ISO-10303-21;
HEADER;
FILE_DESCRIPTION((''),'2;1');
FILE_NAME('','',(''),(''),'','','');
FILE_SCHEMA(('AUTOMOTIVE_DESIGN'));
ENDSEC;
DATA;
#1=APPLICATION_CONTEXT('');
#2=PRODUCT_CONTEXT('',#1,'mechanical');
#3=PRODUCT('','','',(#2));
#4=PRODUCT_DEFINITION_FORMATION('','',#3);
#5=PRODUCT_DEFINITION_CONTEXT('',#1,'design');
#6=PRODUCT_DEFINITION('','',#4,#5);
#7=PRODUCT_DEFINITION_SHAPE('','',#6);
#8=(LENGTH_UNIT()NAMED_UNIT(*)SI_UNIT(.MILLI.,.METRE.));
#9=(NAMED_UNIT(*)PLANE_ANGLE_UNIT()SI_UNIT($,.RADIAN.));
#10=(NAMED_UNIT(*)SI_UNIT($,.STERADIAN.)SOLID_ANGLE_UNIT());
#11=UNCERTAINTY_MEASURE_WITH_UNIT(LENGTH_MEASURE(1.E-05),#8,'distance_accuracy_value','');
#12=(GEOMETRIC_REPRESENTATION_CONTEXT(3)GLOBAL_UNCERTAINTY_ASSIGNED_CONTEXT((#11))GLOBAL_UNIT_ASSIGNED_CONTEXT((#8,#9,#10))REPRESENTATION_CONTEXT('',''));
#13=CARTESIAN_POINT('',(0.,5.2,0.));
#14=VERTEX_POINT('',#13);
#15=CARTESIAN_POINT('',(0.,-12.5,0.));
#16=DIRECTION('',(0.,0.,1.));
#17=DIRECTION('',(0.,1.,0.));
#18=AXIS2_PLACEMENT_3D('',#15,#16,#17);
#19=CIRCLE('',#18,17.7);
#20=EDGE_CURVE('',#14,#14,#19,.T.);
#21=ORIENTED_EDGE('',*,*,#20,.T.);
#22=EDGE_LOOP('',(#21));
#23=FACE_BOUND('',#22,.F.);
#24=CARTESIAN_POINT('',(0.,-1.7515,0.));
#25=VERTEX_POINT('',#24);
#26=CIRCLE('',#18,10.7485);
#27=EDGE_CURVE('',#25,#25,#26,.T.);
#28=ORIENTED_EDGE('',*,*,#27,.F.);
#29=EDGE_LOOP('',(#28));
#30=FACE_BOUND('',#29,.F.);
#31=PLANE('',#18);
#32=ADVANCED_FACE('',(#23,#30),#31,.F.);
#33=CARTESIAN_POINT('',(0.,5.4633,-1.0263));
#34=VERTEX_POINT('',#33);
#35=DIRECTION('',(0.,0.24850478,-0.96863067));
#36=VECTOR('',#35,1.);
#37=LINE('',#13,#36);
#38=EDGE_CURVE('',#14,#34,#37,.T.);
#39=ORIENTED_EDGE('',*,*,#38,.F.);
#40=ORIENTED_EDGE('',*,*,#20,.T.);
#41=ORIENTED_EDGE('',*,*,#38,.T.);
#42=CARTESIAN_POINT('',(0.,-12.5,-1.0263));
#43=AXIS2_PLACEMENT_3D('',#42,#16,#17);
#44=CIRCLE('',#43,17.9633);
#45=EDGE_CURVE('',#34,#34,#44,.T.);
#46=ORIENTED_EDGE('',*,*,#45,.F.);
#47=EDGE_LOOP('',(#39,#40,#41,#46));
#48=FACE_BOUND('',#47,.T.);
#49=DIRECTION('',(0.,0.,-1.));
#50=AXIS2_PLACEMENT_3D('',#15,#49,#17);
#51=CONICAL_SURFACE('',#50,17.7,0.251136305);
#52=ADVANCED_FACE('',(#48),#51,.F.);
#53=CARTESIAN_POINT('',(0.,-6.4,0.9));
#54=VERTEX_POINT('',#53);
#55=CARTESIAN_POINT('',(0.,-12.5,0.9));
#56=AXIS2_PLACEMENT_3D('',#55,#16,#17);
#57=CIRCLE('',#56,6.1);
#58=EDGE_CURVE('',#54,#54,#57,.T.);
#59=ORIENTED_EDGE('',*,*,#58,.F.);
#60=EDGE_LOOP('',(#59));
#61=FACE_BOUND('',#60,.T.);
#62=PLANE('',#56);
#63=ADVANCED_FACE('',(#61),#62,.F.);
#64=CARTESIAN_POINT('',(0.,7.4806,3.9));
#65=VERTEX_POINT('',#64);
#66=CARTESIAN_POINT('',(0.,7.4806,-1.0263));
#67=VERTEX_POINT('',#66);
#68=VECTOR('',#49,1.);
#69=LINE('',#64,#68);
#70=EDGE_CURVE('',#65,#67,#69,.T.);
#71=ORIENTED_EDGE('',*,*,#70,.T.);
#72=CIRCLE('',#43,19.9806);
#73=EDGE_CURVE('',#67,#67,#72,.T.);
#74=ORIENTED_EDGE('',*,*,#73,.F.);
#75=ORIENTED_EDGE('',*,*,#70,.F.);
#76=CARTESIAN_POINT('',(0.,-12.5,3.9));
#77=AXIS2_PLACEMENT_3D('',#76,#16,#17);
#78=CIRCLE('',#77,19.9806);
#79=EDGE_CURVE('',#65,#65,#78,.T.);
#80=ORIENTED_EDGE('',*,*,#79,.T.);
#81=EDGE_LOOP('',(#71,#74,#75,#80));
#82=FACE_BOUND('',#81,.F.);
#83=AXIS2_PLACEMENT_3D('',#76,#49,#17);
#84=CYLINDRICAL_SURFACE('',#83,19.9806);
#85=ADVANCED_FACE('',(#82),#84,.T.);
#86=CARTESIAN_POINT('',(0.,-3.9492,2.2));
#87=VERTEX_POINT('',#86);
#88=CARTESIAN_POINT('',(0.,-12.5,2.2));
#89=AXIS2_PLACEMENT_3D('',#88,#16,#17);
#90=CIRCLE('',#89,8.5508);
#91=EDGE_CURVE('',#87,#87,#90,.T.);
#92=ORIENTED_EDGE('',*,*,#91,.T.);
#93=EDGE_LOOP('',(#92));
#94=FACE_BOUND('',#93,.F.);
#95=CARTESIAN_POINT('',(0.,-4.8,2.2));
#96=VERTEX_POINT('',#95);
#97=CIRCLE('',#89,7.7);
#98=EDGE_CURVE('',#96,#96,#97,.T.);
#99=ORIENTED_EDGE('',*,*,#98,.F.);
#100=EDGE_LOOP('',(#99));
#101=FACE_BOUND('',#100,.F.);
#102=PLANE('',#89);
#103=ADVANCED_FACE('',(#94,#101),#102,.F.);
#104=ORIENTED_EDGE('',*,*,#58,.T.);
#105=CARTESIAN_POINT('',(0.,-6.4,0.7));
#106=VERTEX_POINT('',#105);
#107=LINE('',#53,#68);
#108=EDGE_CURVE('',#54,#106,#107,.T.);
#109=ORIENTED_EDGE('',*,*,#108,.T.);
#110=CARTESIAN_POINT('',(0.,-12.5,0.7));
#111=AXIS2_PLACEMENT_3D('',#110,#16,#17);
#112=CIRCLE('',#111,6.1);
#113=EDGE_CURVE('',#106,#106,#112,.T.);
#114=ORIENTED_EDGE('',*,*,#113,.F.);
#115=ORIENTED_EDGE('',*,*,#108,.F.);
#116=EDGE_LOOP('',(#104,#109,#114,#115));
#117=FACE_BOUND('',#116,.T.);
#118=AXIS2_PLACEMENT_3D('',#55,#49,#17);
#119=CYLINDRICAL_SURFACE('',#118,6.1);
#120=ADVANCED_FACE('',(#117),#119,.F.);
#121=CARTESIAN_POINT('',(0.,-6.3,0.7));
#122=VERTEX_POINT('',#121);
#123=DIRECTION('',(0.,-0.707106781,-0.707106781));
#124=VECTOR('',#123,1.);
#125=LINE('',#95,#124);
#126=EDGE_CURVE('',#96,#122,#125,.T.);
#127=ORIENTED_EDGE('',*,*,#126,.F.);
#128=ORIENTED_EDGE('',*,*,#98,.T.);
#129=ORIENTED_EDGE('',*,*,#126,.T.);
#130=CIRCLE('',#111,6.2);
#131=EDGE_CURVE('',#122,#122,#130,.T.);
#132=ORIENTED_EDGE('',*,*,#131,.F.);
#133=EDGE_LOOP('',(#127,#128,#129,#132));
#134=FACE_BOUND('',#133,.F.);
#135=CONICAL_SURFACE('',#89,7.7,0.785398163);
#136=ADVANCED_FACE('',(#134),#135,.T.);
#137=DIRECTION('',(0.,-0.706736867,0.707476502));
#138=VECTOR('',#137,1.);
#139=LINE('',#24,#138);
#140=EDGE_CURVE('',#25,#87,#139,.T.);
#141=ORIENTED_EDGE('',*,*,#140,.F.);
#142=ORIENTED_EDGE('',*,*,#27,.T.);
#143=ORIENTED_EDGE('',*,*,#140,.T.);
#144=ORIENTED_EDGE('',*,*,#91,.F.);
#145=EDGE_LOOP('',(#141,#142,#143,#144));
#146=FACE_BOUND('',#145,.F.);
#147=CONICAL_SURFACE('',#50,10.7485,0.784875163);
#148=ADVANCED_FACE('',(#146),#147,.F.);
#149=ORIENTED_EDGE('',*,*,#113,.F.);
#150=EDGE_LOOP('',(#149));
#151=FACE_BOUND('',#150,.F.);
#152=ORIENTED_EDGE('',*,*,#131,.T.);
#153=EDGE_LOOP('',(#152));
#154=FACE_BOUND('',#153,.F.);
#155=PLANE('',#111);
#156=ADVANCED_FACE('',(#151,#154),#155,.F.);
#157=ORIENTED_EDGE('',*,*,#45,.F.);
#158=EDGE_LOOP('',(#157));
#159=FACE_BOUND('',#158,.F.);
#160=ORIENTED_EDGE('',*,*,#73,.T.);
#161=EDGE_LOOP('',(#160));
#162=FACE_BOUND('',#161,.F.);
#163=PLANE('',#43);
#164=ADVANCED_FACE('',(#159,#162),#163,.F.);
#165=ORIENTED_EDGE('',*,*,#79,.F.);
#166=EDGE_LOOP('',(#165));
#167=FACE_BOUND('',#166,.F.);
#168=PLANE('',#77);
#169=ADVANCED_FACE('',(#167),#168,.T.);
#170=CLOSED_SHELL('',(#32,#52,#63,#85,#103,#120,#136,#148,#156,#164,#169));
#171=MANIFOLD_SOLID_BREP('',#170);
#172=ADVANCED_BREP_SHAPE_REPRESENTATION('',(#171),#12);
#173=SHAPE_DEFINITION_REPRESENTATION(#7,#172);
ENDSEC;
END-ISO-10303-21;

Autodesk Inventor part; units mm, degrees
ref_plane "YZ Plane" through (0, 0, 0) normal (1, 0, 0) x (0, 1, 0)
ref_plane "XZ Plane" through (0, 0, 0) normal (0, 1, 0) x (-1, 0, 0)
ref_plane "XY Plane" through (0, 0, 0) normal (0, 0, 1) x (1, 0, 0)
sketch "Skizze1" plane through (0, 0, 0) normal (1, 0, 0) x (0, 1, 0)
  line L0 (5, 0) -> (-30, 0) projected
  line L1 (5, -3) -> (5, 0)
  line L2 (-3.9492, 2.2) -> (-21.0508, 2.2) projected
  line L3 (-6.3, 0.7) -> (-18.7, 0.7) projected
  line L4 (-12.5, 0.7) -> (-12.5, 5.3428)
  line L5 (5, 0) -> (-2.1515, 0)
  line L6 (-18.5, 0.7) -> (-6.5, 0.7) construction
  line L7 (-6.5, 0.7) -> (-6.5, 0.9) construction
  line L8 (-6.5, 0.9) -> (-18.5, 0.9) construction
  line L9 (-18.5, 0.9) -> (-18.5, 0.7) construction
  line L10 (-18.5, 0.7) -> (-6.5, 0.9) construction
  line L11 (-6.5, 0.7) -> (-18.5, 0.9) construction
  line L12 (-6.3, 0.7) -> (-7.4658, 0.7) construction
  line L13 (-12.5, 0.9) -> (-6.4, 0.9)
  line L14 (-6.4, 0.9) -> (-6.4, 0.7)
  line L15 (-6.3, 0.7) -> (-6.4, 0.7)
  line L16 (-12.5, 0.9) -> (-12.5, 3.9)
  line L17 (-12.5, 3.9) -> (5, 3.9)
  line L18 (5, 3.9) -> (5, 0)
  line L19 (-4.8, 2.2) -> (-6.3, 0.7)
  line L20 (-3.9492, 2.2) -> (-21.0508, 2.2) projected
  line L21 (-1.7515, 0) -> (-3.9503, 2.1989)
  line L22 (-5.7431, 0.4) -> (-4.5431, 1.6) construction
  line L23 (-4.1977, 1.6) -> (-20.8023, 1.6) construction
  line L24 (-4.1977, 1.6) -> (-3.1977, 0.6) construction
  line L25 (-4.1977, 1.6) -> (-20.8023, 1.6) construction
  line L26 (5, 3.9) -> (7.4806, 3.9)
  line L27 (7.4806, 3.9) -> (7.4806, -1.0263)
  line L28 (7.4806, -1.0263) -> (5.458, -1.0263)
  line L29 (5, 0) -> (5.2, 0)
  line L30 (5.2, 0) -> (5.4633, -1.0263)
  point P0 (0, 0)
  point P1 (-5.8, 2.2)
  point P2 (-12.5, 0.8)
  point P3 (-12.5, 0.9)
  point P4 (-1.7515, 0)
  dimension "d0" = 12
  dimension "d1" = 0.2
  dimension "d2" = 6.1
  dimension "d3" = 3
  dimension "d5" = 0.2
revolve "Umdrehung1" add sketch "Skizze1" angle 360 about axis through (0, -12.5, 0.7) along (0, 0, 1) contours L0 L21 L2 L4 L17 L18 | L18 L26 L27 L28 L30 L29 | L19 L3 L14 L13 L4 L2
properties part number "50_ETL_Membrane_Mould_Upper_v0"
